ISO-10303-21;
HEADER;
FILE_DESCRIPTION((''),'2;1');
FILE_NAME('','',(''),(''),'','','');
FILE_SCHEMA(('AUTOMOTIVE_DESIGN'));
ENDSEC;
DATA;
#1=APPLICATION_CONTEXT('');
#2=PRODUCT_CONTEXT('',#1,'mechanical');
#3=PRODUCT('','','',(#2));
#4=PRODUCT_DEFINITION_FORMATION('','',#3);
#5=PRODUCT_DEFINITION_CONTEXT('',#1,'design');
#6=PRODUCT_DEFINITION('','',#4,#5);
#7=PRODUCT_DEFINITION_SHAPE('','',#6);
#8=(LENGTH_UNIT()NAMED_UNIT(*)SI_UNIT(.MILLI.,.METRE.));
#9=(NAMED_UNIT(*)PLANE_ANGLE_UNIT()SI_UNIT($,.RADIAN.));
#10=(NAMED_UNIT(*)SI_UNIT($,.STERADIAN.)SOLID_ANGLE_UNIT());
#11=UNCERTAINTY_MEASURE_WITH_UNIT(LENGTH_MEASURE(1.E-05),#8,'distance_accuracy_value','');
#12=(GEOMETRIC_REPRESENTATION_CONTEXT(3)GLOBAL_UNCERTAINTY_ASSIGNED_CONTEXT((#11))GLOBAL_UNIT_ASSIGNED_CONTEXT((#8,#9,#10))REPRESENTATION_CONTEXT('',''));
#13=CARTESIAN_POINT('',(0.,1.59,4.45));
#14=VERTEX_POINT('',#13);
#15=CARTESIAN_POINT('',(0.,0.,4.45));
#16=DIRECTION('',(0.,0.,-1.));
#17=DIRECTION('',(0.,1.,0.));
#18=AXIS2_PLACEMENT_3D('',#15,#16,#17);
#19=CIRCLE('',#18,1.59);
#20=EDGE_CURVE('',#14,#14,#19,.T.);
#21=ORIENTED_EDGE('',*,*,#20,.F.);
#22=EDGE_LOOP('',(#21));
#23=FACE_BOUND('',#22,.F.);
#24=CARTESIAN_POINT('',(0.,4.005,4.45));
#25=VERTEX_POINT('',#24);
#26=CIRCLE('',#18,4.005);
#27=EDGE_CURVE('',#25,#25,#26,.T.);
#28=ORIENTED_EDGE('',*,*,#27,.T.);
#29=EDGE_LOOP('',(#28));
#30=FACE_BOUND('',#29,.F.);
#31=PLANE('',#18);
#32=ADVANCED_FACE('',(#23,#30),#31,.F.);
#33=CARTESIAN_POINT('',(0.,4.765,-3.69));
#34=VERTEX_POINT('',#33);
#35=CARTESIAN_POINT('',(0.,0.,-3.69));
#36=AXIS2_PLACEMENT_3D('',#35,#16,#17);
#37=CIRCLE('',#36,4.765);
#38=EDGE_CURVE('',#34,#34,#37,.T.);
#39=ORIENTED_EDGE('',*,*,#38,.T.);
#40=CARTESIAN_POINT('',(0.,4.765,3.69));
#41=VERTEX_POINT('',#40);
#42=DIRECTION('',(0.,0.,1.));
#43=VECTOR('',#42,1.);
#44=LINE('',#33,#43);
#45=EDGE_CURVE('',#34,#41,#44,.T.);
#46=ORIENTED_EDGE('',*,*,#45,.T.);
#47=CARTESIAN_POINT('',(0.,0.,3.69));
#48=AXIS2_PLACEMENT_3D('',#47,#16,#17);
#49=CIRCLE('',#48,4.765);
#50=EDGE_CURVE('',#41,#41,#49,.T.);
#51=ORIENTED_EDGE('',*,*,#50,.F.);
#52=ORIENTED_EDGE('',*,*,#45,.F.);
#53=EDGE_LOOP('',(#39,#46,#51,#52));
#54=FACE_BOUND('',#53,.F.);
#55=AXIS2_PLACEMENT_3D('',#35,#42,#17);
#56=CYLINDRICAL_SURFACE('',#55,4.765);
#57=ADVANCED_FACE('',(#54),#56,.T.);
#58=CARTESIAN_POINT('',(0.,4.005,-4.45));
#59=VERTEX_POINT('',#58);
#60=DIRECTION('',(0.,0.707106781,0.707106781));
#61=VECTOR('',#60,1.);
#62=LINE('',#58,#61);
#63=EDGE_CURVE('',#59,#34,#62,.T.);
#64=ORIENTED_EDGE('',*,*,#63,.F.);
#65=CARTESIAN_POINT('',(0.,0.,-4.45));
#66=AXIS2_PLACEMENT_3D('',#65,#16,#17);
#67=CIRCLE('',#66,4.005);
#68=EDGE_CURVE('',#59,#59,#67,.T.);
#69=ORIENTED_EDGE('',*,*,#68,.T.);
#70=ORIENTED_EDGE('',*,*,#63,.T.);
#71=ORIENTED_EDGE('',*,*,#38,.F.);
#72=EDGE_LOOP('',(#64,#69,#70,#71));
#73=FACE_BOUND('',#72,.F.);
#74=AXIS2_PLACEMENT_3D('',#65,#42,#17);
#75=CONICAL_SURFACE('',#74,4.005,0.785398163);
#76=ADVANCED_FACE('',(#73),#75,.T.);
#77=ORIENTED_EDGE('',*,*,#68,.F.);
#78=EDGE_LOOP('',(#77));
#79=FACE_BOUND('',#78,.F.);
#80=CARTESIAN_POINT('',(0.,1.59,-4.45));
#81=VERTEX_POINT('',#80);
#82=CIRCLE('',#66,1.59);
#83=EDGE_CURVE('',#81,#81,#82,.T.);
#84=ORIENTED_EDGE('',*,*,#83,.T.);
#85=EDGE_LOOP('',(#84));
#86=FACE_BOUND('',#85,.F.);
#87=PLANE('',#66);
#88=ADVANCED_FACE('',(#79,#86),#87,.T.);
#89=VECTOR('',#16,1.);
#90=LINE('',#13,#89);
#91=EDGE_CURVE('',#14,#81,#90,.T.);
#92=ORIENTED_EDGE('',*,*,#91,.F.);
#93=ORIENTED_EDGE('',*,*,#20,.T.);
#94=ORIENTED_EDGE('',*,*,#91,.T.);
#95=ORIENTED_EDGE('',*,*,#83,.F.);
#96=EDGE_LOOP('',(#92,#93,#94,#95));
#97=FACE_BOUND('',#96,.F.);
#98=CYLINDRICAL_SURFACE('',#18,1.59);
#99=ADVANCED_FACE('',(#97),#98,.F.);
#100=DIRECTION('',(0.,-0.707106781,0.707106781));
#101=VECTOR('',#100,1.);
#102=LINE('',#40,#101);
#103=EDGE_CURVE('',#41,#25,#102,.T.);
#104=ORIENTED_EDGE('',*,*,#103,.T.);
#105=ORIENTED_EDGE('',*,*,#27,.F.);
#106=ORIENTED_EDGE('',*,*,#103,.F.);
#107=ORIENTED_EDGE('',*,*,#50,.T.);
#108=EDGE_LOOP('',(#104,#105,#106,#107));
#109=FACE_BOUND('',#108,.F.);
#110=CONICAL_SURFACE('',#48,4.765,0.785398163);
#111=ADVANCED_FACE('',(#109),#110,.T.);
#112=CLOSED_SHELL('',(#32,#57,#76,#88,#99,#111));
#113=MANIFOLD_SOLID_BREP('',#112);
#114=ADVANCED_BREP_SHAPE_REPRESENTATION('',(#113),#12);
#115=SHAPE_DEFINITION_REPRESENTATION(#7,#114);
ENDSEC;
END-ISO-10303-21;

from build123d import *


with BuildPart() as part:
    # Sketch1 → Revolve1 (revolve)
    with BuildSketch(Plane(origin=(0, 0, 0), x_dir=(0, 0, -1), z_dir=(1, 0, 0))):
        Polygon((-3.69, 4.765), (-4.45, 4.005), (-4.45, 1.59), (4.45, 1.59), (4.45, 4.005), (3.69, 4.765), align=None)
    revolve(axis=Axis((0, 0, 12.500648536), (0, 0, -1)))


solid = part.part
